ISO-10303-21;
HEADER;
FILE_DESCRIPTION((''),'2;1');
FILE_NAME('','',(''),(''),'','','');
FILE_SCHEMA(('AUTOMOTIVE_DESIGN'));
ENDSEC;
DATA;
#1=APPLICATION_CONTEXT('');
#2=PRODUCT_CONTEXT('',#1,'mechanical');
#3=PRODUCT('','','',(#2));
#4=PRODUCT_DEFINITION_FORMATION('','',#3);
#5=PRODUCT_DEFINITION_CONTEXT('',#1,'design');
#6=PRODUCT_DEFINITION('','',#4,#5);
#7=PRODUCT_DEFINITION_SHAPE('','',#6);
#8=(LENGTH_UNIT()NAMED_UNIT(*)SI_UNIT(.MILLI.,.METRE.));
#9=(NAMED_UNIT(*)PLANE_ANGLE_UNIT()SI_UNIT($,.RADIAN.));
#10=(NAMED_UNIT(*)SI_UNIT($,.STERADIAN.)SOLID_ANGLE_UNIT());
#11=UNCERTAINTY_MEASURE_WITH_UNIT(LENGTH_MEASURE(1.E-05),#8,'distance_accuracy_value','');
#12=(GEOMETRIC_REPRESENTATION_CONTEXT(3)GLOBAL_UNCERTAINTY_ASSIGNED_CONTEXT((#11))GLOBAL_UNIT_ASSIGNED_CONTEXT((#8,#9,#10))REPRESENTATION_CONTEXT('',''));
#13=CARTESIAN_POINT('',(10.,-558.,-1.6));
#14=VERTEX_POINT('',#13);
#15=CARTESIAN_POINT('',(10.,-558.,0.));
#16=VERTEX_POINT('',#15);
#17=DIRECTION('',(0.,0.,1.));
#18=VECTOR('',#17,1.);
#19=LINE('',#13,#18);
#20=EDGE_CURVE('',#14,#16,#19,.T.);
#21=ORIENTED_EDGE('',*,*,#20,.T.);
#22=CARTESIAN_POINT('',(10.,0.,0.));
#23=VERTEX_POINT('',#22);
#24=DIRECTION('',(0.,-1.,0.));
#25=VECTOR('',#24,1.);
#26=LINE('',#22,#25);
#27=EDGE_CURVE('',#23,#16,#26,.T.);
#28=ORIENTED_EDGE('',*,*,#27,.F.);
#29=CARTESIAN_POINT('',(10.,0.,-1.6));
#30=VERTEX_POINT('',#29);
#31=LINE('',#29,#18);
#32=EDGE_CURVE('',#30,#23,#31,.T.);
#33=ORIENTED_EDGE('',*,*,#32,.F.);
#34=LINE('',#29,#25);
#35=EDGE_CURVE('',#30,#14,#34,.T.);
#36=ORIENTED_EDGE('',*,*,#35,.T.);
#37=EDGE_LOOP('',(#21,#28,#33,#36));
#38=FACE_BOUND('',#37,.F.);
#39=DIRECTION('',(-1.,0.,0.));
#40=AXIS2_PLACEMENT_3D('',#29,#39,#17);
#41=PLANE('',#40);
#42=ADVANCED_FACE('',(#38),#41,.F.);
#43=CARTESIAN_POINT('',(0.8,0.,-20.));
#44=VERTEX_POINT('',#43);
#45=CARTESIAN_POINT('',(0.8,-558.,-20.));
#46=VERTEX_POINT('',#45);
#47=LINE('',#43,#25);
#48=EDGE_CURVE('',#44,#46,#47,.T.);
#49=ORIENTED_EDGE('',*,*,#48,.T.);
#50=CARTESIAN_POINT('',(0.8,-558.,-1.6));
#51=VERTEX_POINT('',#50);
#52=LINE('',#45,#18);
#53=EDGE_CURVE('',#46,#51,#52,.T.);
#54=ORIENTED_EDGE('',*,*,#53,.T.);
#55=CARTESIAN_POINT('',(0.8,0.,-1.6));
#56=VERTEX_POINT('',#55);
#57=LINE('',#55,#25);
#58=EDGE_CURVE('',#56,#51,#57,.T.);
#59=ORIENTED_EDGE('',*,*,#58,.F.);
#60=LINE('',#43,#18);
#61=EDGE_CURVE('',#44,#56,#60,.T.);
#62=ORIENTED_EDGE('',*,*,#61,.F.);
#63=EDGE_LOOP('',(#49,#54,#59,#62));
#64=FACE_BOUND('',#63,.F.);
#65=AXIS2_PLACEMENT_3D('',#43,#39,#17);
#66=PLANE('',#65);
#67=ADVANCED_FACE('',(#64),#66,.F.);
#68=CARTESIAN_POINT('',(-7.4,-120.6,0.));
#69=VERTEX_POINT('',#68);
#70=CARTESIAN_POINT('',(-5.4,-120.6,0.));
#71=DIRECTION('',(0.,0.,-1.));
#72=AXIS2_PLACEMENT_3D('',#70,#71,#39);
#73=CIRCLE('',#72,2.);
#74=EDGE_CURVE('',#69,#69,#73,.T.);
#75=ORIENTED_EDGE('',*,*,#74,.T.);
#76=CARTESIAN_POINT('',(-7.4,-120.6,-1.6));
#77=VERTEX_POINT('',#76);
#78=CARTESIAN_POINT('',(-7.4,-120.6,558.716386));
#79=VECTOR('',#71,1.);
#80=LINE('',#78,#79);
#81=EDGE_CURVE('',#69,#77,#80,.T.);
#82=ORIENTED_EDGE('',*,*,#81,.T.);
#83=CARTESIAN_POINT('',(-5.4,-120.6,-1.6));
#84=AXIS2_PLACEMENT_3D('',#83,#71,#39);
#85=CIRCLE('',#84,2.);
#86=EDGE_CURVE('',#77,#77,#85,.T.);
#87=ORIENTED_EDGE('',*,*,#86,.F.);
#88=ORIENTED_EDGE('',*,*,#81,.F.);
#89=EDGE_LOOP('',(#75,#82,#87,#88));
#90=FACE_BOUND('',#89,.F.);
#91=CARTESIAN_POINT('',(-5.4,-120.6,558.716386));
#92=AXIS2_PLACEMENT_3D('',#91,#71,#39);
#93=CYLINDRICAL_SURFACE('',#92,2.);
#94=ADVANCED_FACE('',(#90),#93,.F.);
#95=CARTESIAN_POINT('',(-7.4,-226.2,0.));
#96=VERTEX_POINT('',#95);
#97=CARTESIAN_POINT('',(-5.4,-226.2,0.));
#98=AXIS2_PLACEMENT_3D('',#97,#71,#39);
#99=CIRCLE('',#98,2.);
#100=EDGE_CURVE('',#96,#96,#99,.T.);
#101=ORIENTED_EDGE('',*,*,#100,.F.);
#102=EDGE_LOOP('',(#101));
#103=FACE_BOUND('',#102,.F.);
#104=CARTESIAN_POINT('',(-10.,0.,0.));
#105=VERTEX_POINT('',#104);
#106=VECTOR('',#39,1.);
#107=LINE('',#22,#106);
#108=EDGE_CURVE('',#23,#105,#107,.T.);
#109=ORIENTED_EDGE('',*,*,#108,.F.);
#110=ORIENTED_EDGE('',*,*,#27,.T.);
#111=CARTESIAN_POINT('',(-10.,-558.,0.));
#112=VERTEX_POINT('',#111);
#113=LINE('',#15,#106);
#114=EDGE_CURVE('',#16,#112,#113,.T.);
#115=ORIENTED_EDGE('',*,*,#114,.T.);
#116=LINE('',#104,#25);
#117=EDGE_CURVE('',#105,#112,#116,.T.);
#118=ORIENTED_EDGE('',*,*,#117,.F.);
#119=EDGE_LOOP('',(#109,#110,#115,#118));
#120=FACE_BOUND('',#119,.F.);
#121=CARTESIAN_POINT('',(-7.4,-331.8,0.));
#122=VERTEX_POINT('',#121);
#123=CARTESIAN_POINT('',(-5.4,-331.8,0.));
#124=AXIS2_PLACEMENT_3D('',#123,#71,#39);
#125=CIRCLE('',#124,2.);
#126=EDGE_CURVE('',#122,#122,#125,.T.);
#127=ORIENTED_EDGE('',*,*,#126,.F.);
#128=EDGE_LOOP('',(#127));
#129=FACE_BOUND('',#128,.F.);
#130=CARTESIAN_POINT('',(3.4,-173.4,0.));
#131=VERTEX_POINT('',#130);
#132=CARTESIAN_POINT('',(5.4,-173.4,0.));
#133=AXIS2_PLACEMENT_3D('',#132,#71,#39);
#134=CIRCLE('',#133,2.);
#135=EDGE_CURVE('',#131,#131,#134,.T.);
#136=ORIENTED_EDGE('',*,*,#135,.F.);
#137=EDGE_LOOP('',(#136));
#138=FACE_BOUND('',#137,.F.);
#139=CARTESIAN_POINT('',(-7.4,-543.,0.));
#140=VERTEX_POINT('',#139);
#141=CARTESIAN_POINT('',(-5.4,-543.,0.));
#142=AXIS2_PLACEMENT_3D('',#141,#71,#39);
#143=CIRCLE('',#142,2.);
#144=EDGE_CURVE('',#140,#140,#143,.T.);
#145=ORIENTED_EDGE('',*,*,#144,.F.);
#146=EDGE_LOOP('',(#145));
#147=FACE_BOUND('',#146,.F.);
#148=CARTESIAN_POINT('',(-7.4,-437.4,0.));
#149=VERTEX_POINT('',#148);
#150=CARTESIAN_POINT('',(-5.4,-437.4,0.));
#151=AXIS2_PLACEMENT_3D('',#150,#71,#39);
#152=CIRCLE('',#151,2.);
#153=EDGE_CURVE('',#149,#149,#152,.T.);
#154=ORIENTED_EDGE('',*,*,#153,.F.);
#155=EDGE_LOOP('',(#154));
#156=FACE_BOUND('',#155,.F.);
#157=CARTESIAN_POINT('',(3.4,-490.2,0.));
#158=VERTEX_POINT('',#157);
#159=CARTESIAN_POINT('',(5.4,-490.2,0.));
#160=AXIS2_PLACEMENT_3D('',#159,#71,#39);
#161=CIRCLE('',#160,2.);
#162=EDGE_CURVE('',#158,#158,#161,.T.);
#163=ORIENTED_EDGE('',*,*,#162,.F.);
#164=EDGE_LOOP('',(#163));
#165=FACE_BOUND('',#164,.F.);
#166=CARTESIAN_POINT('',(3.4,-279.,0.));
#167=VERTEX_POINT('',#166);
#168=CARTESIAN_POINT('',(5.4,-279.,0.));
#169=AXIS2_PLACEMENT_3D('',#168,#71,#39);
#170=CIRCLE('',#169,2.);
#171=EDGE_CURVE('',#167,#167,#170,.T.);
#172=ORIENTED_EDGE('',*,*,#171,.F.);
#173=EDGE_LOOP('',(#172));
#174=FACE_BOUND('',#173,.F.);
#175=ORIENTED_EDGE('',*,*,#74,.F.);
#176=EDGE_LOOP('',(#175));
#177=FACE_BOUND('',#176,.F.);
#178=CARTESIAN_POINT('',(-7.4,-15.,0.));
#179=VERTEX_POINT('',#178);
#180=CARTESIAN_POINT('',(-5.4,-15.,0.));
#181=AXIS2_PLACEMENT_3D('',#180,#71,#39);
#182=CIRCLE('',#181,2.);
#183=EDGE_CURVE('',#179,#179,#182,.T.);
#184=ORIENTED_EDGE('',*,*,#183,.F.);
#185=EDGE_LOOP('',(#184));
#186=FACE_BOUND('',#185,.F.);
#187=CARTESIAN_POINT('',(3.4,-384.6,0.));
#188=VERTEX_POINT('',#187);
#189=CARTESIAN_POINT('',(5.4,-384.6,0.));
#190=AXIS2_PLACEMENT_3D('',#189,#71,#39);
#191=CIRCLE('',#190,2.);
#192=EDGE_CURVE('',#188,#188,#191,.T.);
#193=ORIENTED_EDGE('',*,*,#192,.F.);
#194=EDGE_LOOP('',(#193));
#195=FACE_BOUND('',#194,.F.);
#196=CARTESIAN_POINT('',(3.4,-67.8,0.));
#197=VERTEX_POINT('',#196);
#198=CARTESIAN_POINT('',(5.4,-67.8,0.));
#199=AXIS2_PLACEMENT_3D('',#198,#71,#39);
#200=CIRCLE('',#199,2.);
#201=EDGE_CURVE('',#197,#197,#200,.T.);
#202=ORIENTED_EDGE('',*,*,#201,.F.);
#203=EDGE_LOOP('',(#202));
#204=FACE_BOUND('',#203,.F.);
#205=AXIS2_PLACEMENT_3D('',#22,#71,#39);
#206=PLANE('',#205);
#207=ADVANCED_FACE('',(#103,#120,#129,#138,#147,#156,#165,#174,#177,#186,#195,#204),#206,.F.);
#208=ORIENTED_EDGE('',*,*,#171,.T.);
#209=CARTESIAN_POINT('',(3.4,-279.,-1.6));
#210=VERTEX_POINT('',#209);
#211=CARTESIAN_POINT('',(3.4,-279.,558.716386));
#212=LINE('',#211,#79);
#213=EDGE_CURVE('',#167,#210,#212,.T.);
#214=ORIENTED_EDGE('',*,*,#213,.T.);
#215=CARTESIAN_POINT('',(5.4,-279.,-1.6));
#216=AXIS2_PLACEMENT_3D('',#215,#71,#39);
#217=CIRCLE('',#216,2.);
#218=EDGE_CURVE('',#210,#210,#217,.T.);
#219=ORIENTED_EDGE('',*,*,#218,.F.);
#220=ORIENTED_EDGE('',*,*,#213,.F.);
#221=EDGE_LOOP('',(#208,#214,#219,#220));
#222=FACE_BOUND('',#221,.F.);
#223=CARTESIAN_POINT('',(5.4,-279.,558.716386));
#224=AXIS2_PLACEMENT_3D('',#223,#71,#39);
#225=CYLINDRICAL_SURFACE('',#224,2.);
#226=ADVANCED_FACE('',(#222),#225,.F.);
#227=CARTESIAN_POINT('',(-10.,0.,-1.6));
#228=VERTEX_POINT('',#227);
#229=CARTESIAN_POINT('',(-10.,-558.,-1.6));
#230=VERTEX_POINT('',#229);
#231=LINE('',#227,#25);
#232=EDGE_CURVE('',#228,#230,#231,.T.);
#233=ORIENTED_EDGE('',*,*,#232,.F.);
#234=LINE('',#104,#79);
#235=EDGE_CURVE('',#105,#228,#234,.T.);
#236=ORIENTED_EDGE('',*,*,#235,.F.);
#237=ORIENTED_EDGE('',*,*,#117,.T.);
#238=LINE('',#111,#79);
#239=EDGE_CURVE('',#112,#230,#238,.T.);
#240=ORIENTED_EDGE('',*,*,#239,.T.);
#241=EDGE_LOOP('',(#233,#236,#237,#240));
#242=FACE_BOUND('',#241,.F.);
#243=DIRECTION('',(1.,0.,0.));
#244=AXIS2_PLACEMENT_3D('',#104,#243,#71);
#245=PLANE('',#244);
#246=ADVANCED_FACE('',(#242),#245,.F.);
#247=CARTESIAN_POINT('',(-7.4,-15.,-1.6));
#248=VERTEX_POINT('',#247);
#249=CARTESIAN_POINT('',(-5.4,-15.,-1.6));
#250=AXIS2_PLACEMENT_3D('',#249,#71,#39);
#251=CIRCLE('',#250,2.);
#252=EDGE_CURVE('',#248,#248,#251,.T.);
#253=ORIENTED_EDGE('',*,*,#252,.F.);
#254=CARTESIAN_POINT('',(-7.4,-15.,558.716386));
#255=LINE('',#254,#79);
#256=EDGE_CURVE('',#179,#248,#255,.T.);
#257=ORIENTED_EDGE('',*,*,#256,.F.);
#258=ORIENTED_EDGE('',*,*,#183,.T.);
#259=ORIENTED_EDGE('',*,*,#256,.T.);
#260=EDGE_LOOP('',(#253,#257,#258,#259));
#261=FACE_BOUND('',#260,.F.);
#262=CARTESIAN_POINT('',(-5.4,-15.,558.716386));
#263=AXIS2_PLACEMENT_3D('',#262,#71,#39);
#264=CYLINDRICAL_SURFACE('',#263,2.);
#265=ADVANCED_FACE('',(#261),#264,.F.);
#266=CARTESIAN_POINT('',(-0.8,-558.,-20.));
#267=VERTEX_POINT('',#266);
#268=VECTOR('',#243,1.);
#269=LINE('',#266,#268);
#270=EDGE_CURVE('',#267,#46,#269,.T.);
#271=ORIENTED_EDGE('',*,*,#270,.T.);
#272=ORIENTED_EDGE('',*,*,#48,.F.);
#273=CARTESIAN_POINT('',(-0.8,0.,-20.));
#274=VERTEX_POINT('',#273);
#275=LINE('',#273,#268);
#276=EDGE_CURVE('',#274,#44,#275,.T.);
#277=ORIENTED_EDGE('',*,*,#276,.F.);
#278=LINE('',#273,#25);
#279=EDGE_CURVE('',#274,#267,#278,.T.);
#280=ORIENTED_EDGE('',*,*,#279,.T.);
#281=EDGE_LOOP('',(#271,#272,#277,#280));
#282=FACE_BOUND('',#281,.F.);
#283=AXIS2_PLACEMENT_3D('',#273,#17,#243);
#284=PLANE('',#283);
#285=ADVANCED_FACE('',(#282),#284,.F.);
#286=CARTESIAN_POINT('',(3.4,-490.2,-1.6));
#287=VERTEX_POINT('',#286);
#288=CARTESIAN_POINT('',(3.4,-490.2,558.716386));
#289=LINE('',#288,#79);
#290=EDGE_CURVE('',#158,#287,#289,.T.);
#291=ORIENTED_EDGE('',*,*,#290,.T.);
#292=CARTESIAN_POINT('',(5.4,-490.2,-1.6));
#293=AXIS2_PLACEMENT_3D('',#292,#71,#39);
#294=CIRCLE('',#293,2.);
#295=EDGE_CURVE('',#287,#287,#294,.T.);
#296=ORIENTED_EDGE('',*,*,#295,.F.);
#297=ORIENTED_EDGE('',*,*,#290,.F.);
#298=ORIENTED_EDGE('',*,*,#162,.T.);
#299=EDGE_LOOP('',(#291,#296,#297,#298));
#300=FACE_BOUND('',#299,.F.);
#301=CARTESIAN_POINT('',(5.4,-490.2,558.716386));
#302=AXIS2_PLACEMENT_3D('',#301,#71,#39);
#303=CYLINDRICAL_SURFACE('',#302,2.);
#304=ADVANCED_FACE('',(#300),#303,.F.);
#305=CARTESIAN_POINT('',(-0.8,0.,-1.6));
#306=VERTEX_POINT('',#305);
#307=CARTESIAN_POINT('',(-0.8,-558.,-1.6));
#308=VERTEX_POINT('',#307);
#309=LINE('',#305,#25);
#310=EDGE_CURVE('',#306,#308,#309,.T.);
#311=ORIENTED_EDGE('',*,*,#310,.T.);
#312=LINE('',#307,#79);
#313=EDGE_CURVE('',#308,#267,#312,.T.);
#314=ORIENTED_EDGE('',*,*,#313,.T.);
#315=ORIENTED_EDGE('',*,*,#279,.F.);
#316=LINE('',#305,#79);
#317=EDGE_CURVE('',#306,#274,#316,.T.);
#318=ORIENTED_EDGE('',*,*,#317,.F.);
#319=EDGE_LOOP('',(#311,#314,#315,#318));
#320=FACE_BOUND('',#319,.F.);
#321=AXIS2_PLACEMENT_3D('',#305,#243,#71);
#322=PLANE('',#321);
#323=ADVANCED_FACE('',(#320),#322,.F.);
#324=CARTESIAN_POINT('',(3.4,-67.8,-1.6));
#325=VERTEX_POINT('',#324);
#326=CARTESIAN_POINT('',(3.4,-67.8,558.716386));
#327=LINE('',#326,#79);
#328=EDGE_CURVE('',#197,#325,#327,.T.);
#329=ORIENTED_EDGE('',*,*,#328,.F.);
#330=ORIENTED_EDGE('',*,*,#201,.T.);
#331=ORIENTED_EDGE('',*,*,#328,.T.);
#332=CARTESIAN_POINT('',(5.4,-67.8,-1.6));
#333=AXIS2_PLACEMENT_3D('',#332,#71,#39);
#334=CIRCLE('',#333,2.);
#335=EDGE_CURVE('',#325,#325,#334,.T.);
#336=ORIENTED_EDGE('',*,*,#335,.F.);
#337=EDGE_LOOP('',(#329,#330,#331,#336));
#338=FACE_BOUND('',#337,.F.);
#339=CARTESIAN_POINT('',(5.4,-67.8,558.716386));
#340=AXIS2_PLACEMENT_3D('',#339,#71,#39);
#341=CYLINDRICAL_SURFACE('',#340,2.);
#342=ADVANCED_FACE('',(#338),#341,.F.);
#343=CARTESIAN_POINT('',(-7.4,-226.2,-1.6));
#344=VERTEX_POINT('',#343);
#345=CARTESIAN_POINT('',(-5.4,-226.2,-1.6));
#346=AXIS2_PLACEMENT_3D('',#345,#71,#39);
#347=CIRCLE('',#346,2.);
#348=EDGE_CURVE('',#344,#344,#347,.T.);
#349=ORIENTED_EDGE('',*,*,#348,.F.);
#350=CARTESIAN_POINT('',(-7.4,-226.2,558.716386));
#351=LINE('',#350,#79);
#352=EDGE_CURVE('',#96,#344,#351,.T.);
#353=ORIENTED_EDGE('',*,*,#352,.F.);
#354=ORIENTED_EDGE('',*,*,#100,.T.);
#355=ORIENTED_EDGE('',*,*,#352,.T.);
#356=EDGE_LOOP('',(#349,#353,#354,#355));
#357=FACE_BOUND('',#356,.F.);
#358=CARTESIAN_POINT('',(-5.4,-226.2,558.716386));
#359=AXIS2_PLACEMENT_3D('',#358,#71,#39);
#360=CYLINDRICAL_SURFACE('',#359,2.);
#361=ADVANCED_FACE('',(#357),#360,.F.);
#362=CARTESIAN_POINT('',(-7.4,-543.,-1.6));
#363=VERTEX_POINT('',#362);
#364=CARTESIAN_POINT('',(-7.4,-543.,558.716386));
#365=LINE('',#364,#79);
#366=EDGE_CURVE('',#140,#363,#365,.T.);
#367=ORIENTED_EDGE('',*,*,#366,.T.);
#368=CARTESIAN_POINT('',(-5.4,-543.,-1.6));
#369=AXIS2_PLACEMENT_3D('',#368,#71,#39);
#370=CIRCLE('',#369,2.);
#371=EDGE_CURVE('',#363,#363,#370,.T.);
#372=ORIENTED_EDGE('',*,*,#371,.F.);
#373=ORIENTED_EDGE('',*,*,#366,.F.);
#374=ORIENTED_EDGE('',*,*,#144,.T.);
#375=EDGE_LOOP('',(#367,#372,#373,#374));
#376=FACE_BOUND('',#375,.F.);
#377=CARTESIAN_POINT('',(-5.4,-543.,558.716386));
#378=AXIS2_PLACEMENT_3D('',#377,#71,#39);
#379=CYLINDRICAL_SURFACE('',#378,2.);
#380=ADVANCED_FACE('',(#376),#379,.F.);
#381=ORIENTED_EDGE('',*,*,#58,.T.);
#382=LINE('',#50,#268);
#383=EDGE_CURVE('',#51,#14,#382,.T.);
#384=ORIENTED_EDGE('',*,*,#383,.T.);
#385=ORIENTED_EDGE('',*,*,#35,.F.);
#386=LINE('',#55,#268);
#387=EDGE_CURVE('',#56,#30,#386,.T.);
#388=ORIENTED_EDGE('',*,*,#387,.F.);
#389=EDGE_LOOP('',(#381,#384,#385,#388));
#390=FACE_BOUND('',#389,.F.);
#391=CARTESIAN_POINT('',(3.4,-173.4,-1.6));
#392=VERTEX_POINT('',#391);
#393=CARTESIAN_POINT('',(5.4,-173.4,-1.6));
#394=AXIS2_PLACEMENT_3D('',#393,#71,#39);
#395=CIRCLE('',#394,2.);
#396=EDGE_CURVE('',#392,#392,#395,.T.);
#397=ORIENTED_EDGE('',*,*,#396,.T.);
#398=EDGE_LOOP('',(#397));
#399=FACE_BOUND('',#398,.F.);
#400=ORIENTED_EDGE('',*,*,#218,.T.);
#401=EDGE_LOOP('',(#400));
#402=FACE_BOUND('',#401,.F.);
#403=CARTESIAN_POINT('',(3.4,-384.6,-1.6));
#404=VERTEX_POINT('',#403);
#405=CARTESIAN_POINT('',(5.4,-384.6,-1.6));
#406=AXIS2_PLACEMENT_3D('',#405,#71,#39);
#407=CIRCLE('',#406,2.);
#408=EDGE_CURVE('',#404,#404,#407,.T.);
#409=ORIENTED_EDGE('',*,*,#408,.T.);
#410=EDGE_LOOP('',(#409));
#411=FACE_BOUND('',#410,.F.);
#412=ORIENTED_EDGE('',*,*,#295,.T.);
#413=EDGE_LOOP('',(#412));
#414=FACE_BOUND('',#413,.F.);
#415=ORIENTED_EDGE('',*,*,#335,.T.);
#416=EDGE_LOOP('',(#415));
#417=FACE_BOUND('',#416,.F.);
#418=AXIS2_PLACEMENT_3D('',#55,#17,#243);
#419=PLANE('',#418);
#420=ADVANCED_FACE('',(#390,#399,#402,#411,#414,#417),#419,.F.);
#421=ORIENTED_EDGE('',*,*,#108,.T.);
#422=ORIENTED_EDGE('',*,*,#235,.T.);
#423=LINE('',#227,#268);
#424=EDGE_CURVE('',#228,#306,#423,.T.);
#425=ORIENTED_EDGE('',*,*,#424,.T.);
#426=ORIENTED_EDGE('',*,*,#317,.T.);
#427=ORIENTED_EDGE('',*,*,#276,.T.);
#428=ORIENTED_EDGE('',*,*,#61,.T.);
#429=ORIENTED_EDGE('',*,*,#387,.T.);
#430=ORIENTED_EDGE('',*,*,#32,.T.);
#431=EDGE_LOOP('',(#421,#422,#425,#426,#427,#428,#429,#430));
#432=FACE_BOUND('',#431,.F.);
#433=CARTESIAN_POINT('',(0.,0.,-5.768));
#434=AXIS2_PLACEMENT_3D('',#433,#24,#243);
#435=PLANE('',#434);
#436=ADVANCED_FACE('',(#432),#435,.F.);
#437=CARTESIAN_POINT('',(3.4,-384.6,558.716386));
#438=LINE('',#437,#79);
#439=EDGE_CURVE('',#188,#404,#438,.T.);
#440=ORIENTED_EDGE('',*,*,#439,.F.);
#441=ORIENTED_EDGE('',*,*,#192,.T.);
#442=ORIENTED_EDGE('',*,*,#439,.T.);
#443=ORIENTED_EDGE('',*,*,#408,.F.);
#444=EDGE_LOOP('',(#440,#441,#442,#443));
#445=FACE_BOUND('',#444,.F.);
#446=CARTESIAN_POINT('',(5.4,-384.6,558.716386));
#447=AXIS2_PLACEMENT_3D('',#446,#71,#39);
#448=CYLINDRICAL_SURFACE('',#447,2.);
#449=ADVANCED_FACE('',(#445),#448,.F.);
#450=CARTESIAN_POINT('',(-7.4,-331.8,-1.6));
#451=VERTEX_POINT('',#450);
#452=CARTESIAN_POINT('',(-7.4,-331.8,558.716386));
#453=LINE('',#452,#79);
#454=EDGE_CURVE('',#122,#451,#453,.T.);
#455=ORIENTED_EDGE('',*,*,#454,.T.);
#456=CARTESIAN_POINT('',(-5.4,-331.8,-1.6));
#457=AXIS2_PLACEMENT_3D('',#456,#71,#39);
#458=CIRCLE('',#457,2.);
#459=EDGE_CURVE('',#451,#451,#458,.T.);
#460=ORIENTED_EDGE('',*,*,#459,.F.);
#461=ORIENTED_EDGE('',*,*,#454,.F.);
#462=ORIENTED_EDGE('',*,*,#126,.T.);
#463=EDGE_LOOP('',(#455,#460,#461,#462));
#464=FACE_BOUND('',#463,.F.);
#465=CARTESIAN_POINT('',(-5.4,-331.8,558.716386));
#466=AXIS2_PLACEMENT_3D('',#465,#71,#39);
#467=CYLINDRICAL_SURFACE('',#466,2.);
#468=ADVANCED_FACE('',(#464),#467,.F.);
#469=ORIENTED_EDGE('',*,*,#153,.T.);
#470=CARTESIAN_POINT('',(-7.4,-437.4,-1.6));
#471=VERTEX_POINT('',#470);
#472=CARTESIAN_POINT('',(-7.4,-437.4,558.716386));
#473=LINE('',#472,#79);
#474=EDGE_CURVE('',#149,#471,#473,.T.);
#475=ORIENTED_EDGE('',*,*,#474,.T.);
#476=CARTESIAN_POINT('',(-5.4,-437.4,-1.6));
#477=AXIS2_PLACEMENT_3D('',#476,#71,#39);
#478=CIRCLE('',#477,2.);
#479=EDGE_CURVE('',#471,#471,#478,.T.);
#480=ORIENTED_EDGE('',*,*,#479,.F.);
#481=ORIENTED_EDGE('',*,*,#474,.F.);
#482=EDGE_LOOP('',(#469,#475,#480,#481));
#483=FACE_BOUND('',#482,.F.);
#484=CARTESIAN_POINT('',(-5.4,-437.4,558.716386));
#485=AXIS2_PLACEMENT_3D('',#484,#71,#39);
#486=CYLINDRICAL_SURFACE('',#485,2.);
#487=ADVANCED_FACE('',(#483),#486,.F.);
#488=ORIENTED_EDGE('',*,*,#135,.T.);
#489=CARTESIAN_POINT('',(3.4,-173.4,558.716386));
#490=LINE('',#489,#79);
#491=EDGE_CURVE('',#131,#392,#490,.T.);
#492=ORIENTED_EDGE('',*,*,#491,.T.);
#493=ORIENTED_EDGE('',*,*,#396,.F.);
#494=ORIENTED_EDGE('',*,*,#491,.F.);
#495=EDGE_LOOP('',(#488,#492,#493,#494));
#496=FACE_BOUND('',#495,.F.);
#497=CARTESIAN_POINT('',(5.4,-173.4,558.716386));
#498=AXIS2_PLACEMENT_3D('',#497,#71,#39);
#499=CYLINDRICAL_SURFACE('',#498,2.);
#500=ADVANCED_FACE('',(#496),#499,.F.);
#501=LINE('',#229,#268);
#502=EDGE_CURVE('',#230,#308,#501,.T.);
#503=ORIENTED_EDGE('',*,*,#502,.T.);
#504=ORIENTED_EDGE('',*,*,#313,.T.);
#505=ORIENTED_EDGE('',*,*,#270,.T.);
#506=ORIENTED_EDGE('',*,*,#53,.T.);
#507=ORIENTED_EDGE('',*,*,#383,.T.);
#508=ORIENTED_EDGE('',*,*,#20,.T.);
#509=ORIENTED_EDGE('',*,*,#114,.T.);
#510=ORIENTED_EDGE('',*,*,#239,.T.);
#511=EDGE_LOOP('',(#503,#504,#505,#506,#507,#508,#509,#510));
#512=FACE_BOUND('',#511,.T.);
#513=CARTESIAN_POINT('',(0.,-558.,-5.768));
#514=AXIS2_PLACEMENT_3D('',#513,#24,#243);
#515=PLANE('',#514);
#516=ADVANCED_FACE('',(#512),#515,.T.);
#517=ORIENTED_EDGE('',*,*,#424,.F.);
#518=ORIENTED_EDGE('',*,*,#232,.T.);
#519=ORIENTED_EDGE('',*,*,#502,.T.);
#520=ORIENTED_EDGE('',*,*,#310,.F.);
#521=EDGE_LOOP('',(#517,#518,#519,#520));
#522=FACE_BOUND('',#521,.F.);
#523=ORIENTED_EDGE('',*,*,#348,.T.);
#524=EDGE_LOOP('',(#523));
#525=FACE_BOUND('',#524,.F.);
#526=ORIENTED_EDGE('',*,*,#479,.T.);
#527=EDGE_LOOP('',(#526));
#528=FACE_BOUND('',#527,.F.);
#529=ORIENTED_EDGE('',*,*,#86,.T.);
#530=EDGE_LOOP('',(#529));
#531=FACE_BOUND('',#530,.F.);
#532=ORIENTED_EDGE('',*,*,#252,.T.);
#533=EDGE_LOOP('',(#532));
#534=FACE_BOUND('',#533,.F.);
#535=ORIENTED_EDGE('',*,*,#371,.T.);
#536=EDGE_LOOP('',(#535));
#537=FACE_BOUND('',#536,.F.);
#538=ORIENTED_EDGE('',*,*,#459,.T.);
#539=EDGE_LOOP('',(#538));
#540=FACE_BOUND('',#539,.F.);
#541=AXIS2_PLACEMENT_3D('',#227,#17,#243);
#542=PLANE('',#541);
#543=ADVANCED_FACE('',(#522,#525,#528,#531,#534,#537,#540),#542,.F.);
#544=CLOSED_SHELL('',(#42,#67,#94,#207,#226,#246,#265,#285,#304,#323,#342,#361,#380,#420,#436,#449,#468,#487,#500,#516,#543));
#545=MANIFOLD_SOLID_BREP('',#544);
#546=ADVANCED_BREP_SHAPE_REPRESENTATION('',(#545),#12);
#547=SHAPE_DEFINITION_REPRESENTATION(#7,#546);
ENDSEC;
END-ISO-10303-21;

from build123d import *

# Parameters (mm, degrees)
F1_DEPTH = 558
F3_D     = 4


with BuildPart() as f1:
    # F0 (on Front) → F1 (new body)
    with BuildSketch(Plane.XZ):
        Polygon((10, 0), (-10, 0), (-10, -1.6), (-0.8, -1.6), (-0.8, -20), (0.8, -20), (0.8, -1.6), (10, -1.6), align=None)
    extrude(amount=F1_DEPTH)

    # F3 (through all)
    with Locations(Plane.XY):
        with Locations((-5.4, -543), (5.4, -490.2), (-5.4, -437.4), (5.4, -384.6), (-5.4, -331.8), (5.4, -279), (-5.4, -226.2), (5.4, -173.4), (-5.4, -120.6), (5.4, -67.8), (-5.4, -15)):
            Hole(F3_D / 2)


solid = f1.part
